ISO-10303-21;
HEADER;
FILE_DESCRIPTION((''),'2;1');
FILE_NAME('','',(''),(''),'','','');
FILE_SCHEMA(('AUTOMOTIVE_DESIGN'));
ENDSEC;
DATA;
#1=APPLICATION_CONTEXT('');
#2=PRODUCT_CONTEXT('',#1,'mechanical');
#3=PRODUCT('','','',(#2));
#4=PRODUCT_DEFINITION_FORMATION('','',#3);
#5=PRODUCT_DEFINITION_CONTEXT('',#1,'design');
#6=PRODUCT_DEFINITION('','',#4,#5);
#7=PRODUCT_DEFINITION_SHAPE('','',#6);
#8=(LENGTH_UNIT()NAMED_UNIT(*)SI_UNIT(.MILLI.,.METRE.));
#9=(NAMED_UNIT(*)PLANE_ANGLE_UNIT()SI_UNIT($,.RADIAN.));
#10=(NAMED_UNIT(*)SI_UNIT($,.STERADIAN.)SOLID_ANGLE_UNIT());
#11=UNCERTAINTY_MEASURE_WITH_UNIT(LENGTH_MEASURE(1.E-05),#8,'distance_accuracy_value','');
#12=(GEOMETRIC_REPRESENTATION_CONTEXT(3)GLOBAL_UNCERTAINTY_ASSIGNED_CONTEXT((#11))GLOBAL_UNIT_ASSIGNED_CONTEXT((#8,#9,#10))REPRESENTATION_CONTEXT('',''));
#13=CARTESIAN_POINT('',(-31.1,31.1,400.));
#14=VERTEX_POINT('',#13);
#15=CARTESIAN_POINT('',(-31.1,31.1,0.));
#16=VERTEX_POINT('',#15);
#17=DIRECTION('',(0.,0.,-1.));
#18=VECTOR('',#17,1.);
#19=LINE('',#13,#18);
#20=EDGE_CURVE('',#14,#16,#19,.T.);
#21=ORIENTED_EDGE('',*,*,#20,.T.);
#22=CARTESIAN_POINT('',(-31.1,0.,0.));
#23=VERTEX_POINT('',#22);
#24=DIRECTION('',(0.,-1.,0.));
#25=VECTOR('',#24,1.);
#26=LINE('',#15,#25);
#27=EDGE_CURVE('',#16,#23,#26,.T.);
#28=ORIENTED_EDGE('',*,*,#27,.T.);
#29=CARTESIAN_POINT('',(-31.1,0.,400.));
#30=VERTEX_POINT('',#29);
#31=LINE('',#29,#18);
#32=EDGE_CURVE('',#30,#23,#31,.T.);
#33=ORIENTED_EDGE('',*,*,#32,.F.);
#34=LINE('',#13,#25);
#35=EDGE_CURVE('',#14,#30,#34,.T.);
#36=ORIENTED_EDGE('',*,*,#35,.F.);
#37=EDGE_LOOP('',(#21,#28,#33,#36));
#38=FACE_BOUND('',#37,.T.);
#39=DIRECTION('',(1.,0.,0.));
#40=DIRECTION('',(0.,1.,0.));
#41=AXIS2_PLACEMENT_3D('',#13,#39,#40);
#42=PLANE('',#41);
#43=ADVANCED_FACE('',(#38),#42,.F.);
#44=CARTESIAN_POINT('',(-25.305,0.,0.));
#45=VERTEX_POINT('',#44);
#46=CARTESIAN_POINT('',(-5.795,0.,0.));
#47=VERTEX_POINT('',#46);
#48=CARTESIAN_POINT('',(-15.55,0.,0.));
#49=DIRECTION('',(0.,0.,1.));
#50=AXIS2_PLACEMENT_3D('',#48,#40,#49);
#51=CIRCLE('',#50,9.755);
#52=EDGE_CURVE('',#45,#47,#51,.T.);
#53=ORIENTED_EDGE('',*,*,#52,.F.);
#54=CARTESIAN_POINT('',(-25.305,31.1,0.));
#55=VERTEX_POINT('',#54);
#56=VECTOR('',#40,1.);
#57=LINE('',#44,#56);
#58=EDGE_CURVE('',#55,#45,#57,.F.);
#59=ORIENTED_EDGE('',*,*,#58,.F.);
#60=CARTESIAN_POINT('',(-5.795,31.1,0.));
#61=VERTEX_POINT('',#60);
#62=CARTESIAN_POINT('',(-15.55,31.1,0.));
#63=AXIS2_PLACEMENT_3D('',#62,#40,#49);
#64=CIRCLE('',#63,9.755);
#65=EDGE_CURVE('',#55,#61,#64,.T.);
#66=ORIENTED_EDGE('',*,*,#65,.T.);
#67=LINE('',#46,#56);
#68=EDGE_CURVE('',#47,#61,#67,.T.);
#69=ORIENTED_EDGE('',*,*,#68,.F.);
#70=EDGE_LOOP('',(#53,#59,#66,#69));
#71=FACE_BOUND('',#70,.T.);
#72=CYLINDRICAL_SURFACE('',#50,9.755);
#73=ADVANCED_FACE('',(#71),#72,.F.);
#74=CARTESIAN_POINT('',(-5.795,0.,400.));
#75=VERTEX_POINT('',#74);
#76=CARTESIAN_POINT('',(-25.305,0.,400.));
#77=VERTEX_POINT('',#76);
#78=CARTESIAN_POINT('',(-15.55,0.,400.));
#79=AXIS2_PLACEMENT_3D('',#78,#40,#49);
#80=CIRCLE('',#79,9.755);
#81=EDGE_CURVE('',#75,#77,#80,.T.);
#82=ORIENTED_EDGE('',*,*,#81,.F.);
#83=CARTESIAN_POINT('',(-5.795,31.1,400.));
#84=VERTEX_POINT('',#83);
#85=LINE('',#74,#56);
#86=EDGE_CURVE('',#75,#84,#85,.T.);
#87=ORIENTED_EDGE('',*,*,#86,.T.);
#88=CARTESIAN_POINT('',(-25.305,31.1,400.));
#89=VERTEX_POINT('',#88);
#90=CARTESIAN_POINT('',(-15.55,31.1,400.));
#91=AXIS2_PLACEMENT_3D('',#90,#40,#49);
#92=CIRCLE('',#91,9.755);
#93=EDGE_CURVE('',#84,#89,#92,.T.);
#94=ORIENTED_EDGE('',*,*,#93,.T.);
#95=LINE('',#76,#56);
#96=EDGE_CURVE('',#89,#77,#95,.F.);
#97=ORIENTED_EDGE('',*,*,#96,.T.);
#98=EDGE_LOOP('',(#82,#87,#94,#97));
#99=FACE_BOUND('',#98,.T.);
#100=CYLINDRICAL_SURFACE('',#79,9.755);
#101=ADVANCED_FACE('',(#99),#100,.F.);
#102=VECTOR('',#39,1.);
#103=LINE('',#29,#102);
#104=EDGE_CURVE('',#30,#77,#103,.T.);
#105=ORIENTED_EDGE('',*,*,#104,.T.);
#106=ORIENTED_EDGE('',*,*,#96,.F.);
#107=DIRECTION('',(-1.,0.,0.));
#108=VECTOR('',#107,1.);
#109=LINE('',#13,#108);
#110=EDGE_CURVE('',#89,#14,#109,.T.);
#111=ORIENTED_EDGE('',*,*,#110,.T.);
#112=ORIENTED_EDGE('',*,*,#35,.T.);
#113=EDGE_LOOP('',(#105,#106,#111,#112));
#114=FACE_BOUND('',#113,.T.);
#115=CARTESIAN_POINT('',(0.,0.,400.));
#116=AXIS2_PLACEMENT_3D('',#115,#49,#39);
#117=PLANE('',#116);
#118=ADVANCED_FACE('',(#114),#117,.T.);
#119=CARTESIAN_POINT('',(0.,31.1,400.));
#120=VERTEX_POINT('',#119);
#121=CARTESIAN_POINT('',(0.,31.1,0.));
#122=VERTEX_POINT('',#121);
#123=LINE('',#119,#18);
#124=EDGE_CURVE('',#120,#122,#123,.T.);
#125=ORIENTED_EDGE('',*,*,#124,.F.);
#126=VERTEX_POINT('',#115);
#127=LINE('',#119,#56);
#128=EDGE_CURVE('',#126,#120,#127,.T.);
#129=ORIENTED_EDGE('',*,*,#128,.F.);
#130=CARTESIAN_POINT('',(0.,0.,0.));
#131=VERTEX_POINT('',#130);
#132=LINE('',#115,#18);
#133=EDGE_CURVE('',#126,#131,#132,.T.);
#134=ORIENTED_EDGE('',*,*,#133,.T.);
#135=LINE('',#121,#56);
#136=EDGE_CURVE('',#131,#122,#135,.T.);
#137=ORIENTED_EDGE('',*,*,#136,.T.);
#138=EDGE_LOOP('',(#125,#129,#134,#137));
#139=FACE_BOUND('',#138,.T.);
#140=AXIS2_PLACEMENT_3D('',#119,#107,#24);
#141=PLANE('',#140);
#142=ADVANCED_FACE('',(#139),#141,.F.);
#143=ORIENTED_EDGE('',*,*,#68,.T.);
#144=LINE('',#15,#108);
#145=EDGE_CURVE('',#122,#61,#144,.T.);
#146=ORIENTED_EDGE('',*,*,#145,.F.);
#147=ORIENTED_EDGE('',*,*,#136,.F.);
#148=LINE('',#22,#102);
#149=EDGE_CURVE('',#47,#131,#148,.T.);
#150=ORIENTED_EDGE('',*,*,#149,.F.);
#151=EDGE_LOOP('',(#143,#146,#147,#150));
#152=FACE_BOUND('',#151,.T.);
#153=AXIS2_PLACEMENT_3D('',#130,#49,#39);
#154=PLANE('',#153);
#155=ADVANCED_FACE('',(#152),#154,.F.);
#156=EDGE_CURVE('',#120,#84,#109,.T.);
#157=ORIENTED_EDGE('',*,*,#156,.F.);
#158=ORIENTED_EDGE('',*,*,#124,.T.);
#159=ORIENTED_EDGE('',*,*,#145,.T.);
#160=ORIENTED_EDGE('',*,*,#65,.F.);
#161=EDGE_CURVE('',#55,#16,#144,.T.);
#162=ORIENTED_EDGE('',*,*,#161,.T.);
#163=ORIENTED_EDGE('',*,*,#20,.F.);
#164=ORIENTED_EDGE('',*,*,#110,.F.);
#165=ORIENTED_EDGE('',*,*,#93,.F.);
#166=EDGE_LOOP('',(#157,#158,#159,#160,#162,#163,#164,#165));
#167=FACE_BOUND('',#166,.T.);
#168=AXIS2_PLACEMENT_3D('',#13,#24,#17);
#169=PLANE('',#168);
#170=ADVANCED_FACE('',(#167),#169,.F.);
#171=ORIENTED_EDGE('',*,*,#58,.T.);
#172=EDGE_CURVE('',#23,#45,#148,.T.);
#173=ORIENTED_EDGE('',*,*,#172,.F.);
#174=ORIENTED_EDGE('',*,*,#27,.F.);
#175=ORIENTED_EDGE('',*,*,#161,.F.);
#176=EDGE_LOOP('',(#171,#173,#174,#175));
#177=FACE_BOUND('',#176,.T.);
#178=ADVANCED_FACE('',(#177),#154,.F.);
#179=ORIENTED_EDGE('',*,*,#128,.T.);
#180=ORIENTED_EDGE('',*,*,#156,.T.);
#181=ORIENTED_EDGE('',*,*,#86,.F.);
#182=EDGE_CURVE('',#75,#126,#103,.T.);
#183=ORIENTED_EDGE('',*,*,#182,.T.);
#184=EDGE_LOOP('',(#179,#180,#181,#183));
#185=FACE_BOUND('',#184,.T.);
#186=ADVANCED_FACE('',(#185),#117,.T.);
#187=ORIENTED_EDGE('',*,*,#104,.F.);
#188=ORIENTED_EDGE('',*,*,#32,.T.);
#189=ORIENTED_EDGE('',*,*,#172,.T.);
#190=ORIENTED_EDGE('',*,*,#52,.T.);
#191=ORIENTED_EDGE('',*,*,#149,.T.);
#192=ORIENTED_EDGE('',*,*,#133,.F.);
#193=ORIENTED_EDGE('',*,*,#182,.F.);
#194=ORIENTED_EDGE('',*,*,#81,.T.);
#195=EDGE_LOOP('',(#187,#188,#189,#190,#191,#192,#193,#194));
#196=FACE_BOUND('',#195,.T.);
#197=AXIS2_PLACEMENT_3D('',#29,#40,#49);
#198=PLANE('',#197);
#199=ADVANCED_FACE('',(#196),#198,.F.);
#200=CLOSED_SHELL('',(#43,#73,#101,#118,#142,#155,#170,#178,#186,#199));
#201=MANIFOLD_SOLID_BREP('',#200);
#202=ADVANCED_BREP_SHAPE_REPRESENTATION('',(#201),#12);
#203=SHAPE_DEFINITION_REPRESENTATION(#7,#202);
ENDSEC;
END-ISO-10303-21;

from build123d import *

# Parameters (mm, degrees)
SKETCH1_W           = 31.1
SKETCH1_H           = 31.1
BOSS_EXTRUDE1_DEPTH = 400
SKETCH2_R           = 9.755
CUT_EXTRUDE1_DEPTH  = 31.1


with BuildPart() as part:
    # Sketch1 → Boss-Extrude1 (new body)
    with BuildSketch(Plane.XY):
        with Locations((-15.55, 15.55)):
            Rectangle(SKETCH1_W, SKETCH1_H)
    extrude(amount=BOSS_EXTRUDE1_DEPTH)

    # Sketch2 → Cut-Extrude1 (cut)
    with BuildSketch(Plane(origin=(0, 31.1, 0), x_dir=(1, 0, 0), z_dir=(0, 1, 0))):
        with Locations((-15.55, -400)):
            Circle(SKETCH2_R)
        with Locations((-15.55, 0)):
            Circle(SKETCH2_R)
    extrude(amount=-CUT_EXTRUDE1_DEPTH, mode=Mode.SUBTRACT)


solid = part.part
